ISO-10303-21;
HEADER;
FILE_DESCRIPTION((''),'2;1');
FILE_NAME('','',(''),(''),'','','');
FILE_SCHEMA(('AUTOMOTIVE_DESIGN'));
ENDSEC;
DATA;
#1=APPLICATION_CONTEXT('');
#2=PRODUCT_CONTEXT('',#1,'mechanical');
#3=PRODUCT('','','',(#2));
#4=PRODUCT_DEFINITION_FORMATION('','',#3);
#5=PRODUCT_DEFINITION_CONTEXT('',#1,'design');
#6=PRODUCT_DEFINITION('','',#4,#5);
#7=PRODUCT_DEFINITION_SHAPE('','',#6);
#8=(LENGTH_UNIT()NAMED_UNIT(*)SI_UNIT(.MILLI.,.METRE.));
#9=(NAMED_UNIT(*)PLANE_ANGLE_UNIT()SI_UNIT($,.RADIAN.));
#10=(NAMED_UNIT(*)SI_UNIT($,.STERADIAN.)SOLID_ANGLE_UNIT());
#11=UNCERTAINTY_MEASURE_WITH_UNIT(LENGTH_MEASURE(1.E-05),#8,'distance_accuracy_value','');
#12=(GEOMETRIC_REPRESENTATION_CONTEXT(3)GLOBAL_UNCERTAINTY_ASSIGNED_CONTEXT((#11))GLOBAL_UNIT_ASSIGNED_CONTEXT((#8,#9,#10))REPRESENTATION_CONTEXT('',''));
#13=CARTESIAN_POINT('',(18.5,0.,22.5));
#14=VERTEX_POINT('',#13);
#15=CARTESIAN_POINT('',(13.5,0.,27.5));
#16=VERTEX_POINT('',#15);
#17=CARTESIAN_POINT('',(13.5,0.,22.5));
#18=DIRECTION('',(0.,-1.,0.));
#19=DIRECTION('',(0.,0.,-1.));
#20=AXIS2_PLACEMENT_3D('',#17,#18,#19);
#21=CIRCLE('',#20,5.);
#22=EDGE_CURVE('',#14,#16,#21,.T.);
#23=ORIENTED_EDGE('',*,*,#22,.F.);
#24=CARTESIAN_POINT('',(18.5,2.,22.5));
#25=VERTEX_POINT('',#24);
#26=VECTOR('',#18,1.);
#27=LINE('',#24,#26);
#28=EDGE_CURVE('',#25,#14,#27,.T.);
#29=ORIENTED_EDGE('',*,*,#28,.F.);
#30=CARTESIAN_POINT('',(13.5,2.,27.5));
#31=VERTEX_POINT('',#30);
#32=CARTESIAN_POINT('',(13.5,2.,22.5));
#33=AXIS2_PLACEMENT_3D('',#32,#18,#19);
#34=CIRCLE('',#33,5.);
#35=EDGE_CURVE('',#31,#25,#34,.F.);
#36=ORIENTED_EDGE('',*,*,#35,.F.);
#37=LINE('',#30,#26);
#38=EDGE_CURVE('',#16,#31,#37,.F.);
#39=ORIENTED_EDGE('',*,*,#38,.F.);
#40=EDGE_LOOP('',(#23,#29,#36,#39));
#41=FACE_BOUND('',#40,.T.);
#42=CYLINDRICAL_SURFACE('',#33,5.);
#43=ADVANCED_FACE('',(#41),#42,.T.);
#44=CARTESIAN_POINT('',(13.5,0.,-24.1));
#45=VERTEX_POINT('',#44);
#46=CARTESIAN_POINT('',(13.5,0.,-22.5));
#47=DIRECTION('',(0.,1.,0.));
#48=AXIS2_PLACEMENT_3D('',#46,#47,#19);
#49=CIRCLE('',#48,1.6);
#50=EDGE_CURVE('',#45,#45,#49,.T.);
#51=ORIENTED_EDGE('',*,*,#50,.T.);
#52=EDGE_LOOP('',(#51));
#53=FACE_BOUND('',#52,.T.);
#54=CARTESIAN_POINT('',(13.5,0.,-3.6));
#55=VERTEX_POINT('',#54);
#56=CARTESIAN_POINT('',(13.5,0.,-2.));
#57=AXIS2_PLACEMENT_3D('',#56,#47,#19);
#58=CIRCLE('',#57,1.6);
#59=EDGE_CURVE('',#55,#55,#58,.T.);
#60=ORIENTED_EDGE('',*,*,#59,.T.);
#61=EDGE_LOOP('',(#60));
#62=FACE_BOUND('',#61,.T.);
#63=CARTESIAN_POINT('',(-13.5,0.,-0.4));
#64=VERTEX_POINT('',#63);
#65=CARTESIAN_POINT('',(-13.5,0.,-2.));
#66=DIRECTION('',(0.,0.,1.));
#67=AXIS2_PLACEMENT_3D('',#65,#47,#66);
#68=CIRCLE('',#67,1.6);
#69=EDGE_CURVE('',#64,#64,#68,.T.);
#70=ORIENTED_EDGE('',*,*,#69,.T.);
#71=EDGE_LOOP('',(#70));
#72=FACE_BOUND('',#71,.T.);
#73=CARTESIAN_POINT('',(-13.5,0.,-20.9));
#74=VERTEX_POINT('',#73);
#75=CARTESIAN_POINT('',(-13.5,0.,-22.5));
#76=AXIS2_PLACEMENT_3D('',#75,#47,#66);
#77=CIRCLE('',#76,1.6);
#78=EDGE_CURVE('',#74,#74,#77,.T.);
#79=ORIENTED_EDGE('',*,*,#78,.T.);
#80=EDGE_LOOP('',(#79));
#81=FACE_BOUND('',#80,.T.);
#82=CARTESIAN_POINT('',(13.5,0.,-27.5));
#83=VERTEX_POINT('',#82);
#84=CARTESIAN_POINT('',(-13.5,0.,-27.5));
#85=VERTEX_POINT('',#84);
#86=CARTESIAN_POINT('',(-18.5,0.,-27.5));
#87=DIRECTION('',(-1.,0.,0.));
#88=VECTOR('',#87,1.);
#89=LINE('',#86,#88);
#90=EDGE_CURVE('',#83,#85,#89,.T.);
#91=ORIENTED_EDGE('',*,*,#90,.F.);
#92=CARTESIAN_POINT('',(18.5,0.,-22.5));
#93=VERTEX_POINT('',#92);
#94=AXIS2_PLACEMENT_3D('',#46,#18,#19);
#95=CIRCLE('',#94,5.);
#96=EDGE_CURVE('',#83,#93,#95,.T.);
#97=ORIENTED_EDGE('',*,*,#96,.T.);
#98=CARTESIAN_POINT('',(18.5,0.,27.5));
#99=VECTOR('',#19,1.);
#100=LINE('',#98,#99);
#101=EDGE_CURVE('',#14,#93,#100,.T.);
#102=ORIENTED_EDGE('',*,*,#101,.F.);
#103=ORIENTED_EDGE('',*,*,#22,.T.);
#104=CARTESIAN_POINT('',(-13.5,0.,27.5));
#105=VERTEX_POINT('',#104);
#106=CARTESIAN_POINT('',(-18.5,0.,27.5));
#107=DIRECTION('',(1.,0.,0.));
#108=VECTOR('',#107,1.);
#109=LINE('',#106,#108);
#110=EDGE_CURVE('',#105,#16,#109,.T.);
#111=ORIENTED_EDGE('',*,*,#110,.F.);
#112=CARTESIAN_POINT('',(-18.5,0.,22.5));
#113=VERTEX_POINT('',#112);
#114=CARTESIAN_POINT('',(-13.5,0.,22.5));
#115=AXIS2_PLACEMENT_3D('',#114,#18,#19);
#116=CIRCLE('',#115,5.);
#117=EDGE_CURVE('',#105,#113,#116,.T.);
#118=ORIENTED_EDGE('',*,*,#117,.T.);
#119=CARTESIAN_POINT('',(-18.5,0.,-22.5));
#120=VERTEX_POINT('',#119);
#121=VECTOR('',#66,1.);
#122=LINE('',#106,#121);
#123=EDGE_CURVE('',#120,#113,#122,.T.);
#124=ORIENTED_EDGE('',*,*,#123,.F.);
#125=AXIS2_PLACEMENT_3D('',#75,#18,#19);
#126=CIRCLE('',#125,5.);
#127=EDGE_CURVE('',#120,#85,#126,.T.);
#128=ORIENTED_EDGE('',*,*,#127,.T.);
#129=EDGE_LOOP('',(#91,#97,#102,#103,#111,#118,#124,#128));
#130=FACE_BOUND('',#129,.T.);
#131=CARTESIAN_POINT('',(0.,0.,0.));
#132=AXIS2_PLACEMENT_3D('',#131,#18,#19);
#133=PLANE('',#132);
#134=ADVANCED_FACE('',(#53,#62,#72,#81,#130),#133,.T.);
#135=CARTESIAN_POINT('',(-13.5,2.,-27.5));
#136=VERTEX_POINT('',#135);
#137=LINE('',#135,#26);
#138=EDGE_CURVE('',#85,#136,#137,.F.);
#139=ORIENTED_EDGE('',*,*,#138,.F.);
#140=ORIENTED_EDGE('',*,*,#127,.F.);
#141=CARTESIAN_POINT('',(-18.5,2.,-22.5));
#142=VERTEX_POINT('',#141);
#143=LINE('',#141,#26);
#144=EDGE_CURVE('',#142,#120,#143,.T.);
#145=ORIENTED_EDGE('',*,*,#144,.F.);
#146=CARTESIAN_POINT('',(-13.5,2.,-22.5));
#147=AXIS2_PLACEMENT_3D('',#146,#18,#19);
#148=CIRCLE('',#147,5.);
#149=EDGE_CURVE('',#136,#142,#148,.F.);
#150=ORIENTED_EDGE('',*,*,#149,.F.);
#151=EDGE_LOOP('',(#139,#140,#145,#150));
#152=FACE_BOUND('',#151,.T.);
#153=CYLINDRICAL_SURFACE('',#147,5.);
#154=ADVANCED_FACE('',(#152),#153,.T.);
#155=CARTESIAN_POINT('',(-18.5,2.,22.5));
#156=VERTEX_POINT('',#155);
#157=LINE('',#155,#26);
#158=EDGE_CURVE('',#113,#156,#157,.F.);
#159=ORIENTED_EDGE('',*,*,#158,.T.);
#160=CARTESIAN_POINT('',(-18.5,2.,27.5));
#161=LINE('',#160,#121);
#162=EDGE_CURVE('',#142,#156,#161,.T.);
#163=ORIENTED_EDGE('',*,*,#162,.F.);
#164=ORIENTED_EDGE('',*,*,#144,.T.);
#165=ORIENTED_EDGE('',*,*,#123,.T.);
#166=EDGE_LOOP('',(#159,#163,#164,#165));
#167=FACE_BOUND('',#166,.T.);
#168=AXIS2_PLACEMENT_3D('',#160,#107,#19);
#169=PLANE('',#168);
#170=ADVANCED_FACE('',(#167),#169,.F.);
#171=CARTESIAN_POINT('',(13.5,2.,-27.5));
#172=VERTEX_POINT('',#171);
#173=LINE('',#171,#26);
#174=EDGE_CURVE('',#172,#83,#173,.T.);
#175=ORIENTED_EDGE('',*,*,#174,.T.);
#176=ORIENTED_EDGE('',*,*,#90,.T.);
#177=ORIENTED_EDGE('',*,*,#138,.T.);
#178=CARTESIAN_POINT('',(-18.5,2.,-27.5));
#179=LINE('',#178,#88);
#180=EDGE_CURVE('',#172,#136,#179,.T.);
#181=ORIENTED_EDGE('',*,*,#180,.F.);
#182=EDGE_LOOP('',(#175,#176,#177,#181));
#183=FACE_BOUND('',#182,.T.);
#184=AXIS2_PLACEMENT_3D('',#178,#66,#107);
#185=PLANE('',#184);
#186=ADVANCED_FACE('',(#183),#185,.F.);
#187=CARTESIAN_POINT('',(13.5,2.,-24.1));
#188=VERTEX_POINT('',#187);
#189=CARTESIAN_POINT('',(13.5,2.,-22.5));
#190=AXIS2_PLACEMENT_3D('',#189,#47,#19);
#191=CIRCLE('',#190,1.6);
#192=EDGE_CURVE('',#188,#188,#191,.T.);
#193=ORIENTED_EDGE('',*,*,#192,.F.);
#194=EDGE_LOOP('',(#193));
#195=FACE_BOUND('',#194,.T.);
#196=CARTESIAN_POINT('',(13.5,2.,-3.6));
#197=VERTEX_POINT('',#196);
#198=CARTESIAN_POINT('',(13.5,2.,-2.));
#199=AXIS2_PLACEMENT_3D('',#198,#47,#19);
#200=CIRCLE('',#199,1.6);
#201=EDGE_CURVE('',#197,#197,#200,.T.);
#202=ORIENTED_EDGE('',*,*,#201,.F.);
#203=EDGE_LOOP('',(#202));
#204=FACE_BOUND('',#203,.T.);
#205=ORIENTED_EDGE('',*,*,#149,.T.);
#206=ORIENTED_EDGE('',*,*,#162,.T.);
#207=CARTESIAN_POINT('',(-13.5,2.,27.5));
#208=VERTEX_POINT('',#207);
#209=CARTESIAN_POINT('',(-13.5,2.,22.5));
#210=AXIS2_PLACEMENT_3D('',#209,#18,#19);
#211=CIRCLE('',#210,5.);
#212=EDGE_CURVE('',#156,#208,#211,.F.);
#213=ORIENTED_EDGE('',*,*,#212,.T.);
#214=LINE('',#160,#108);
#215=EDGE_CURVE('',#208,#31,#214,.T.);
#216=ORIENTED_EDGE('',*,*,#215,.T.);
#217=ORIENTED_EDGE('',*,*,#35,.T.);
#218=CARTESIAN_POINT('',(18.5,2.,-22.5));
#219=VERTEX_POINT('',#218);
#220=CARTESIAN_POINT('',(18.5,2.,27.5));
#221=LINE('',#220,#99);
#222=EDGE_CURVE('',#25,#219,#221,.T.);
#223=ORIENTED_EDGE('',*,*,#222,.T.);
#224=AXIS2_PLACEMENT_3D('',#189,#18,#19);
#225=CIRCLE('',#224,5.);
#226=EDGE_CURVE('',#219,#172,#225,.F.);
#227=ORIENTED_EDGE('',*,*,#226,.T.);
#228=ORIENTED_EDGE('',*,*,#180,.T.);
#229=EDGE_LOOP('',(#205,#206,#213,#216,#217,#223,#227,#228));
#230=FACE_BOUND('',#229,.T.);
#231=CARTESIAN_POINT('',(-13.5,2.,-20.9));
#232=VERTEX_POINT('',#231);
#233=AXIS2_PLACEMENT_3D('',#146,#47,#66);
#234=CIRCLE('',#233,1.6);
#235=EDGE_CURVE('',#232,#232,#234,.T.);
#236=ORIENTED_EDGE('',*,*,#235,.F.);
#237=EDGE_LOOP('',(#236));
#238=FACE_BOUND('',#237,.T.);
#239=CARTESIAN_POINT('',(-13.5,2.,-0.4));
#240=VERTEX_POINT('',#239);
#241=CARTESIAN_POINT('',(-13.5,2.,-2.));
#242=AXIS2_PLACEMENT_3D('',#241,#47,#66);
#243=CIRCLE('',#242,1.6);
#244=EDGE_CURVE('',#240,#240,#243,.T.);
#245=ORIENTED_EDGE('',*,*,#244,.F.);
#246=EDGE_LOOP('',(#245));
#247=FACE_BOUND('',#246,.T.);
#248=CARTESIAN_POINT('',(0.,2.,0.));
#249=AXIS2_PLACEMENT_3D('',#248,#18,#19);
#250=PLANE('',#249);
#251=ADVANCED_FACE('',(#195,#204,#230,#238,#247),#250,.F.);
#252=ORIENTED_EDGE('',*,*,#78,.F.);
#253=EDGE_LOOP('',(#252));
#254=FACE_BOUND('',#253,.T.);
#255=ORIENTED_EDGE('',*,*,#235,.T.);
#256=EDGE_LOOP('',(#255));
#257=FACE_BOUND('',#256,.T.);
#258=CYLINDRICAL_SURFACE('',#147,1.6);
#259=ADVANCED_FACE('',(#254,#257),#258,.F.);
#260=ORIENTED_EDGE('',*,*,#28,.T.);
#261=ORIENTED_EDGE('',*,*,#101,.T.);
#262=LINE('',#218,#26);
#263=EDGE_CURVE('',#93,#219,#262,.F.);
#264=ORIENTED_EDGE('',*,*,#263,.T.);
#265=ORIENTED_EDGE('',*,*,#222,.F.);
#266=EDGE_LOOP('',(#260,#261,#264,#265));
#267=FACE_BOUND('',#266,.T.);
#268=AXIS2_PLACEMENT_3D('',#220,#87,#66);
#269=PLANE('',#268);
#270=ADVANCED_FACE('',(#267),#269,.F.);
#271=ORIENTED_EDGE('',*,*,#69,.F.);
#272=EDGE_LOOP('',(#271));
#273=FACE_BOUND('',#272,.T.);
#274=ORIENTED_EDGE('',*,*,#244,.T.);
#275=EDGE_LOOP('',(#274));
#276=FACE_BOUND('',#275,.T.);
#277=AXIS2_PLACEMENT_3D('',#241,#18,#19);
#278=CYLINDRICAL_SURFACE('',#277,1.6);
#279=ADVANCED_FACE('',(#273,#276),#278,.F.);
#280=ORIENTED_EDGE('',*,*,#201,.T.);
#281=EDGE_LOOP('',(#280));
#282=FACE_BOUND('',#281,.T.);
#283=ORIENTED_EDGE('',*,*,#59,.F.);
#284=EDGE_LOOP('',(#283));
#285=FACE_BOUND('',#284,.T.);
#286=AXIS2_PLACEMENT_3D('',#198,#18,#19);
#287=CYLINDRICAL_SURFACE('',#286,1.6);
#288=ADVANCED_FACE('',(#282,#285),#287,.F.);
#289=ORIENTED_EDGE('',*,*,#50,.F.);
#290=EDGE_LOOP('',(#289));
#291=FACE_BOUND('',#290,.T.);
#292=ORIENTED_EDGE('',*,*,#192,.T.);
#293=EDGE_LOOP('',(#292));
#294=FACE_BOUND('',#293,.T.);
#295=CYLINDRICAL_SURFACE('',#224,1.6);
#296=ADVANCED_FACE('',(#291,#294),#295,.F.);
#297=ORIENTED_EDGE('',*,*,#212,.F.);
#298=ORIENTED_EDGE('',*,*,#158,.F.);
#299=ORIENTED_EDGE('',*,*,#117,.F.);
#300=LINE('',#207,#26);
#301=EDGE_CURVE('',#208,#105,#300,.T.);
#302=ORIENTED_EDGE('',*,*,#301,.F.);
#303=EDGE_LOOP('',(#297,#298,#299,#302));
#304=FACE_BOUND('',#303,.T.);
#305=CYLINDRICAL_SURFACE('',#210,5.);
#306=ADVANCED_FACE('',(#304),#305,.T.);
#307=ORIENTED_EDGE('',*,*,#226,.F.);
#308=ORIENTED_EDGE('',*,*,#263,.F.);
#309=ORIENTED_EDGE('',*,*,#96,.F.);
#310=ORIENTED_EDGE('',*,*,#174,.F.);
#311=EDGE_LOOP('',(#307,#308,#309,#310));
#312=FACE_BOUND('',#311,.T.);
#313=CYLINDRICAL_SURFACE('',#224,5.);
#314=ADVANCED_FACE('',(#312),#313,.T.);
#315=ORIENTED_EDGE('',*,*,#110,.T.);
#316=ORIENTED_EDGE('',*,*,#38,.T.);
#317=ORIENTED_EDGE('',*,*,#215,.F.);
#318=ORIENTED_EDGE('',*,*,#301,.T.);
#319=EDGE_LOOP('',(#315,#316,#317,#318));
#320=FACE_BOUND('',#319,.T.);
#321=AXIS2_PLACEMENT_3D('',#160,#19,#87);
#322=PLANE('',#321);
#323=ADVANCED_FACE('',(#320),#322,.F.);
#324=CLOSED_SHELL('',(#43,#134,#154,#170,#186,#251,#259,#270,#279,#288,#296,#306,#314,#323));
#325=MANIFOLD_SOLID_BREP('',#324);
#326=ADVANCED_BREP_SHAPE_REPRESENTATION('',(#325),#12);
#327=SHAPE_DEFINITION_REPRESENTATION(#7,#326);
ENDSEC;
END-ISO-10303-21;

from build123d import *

# Parameters (mm, degrees)
CROQUIS1_W              = 37
CROQUIS1_H              = 55
CROQUIS1_R              = 1.6
SALIENTE_EXTRUIR1_DEPTH = 2
REDONDEO1_R             = 5


with BuildPart() as part:
    # Croquis1 → Saliente-Extruir1 (new body)
    with BuildSketch(Plane(origin=(0, 0, 0), x_dir=(1, 0, 0), z_dir=(0, 1, 0))):
        Rectangle(CROQUIS1_W, CROQUIS1_H)
        with Locations((-13.5, 22.5)):
            Circle(CROQUIS1_R, mode=Mode.SUBTRACT)
        with Locations((-13.5, 2)):
            Circle(CROQUIS1_R, mode=Mode.SUBTRACT)
        with Locations((13.5, 2)):
            Circle(CROQUIS1_R, mode=Mode.SUBTRACT)
        with Locations((13.5, 22.5)):
            Circle(CROQUIS1_R, mode=Mode.SUBTRACT)
    extrude(amount=SALIENTE_EXTRUIR1_DEPTH)

    # Redondeo1
    redondeo1_edges = [part.edges().sort_by_distance(p)[0] for p in [
        (18.5, 1, 27.5),
        (-18.5, 1, 27.5),
        (-18.5, 1, -27.5),
        (18.5, 1, -27.5),
    ]]
    fillet(redondeo1_edges, radius=REDONDEO1_R)


solid = part.part
